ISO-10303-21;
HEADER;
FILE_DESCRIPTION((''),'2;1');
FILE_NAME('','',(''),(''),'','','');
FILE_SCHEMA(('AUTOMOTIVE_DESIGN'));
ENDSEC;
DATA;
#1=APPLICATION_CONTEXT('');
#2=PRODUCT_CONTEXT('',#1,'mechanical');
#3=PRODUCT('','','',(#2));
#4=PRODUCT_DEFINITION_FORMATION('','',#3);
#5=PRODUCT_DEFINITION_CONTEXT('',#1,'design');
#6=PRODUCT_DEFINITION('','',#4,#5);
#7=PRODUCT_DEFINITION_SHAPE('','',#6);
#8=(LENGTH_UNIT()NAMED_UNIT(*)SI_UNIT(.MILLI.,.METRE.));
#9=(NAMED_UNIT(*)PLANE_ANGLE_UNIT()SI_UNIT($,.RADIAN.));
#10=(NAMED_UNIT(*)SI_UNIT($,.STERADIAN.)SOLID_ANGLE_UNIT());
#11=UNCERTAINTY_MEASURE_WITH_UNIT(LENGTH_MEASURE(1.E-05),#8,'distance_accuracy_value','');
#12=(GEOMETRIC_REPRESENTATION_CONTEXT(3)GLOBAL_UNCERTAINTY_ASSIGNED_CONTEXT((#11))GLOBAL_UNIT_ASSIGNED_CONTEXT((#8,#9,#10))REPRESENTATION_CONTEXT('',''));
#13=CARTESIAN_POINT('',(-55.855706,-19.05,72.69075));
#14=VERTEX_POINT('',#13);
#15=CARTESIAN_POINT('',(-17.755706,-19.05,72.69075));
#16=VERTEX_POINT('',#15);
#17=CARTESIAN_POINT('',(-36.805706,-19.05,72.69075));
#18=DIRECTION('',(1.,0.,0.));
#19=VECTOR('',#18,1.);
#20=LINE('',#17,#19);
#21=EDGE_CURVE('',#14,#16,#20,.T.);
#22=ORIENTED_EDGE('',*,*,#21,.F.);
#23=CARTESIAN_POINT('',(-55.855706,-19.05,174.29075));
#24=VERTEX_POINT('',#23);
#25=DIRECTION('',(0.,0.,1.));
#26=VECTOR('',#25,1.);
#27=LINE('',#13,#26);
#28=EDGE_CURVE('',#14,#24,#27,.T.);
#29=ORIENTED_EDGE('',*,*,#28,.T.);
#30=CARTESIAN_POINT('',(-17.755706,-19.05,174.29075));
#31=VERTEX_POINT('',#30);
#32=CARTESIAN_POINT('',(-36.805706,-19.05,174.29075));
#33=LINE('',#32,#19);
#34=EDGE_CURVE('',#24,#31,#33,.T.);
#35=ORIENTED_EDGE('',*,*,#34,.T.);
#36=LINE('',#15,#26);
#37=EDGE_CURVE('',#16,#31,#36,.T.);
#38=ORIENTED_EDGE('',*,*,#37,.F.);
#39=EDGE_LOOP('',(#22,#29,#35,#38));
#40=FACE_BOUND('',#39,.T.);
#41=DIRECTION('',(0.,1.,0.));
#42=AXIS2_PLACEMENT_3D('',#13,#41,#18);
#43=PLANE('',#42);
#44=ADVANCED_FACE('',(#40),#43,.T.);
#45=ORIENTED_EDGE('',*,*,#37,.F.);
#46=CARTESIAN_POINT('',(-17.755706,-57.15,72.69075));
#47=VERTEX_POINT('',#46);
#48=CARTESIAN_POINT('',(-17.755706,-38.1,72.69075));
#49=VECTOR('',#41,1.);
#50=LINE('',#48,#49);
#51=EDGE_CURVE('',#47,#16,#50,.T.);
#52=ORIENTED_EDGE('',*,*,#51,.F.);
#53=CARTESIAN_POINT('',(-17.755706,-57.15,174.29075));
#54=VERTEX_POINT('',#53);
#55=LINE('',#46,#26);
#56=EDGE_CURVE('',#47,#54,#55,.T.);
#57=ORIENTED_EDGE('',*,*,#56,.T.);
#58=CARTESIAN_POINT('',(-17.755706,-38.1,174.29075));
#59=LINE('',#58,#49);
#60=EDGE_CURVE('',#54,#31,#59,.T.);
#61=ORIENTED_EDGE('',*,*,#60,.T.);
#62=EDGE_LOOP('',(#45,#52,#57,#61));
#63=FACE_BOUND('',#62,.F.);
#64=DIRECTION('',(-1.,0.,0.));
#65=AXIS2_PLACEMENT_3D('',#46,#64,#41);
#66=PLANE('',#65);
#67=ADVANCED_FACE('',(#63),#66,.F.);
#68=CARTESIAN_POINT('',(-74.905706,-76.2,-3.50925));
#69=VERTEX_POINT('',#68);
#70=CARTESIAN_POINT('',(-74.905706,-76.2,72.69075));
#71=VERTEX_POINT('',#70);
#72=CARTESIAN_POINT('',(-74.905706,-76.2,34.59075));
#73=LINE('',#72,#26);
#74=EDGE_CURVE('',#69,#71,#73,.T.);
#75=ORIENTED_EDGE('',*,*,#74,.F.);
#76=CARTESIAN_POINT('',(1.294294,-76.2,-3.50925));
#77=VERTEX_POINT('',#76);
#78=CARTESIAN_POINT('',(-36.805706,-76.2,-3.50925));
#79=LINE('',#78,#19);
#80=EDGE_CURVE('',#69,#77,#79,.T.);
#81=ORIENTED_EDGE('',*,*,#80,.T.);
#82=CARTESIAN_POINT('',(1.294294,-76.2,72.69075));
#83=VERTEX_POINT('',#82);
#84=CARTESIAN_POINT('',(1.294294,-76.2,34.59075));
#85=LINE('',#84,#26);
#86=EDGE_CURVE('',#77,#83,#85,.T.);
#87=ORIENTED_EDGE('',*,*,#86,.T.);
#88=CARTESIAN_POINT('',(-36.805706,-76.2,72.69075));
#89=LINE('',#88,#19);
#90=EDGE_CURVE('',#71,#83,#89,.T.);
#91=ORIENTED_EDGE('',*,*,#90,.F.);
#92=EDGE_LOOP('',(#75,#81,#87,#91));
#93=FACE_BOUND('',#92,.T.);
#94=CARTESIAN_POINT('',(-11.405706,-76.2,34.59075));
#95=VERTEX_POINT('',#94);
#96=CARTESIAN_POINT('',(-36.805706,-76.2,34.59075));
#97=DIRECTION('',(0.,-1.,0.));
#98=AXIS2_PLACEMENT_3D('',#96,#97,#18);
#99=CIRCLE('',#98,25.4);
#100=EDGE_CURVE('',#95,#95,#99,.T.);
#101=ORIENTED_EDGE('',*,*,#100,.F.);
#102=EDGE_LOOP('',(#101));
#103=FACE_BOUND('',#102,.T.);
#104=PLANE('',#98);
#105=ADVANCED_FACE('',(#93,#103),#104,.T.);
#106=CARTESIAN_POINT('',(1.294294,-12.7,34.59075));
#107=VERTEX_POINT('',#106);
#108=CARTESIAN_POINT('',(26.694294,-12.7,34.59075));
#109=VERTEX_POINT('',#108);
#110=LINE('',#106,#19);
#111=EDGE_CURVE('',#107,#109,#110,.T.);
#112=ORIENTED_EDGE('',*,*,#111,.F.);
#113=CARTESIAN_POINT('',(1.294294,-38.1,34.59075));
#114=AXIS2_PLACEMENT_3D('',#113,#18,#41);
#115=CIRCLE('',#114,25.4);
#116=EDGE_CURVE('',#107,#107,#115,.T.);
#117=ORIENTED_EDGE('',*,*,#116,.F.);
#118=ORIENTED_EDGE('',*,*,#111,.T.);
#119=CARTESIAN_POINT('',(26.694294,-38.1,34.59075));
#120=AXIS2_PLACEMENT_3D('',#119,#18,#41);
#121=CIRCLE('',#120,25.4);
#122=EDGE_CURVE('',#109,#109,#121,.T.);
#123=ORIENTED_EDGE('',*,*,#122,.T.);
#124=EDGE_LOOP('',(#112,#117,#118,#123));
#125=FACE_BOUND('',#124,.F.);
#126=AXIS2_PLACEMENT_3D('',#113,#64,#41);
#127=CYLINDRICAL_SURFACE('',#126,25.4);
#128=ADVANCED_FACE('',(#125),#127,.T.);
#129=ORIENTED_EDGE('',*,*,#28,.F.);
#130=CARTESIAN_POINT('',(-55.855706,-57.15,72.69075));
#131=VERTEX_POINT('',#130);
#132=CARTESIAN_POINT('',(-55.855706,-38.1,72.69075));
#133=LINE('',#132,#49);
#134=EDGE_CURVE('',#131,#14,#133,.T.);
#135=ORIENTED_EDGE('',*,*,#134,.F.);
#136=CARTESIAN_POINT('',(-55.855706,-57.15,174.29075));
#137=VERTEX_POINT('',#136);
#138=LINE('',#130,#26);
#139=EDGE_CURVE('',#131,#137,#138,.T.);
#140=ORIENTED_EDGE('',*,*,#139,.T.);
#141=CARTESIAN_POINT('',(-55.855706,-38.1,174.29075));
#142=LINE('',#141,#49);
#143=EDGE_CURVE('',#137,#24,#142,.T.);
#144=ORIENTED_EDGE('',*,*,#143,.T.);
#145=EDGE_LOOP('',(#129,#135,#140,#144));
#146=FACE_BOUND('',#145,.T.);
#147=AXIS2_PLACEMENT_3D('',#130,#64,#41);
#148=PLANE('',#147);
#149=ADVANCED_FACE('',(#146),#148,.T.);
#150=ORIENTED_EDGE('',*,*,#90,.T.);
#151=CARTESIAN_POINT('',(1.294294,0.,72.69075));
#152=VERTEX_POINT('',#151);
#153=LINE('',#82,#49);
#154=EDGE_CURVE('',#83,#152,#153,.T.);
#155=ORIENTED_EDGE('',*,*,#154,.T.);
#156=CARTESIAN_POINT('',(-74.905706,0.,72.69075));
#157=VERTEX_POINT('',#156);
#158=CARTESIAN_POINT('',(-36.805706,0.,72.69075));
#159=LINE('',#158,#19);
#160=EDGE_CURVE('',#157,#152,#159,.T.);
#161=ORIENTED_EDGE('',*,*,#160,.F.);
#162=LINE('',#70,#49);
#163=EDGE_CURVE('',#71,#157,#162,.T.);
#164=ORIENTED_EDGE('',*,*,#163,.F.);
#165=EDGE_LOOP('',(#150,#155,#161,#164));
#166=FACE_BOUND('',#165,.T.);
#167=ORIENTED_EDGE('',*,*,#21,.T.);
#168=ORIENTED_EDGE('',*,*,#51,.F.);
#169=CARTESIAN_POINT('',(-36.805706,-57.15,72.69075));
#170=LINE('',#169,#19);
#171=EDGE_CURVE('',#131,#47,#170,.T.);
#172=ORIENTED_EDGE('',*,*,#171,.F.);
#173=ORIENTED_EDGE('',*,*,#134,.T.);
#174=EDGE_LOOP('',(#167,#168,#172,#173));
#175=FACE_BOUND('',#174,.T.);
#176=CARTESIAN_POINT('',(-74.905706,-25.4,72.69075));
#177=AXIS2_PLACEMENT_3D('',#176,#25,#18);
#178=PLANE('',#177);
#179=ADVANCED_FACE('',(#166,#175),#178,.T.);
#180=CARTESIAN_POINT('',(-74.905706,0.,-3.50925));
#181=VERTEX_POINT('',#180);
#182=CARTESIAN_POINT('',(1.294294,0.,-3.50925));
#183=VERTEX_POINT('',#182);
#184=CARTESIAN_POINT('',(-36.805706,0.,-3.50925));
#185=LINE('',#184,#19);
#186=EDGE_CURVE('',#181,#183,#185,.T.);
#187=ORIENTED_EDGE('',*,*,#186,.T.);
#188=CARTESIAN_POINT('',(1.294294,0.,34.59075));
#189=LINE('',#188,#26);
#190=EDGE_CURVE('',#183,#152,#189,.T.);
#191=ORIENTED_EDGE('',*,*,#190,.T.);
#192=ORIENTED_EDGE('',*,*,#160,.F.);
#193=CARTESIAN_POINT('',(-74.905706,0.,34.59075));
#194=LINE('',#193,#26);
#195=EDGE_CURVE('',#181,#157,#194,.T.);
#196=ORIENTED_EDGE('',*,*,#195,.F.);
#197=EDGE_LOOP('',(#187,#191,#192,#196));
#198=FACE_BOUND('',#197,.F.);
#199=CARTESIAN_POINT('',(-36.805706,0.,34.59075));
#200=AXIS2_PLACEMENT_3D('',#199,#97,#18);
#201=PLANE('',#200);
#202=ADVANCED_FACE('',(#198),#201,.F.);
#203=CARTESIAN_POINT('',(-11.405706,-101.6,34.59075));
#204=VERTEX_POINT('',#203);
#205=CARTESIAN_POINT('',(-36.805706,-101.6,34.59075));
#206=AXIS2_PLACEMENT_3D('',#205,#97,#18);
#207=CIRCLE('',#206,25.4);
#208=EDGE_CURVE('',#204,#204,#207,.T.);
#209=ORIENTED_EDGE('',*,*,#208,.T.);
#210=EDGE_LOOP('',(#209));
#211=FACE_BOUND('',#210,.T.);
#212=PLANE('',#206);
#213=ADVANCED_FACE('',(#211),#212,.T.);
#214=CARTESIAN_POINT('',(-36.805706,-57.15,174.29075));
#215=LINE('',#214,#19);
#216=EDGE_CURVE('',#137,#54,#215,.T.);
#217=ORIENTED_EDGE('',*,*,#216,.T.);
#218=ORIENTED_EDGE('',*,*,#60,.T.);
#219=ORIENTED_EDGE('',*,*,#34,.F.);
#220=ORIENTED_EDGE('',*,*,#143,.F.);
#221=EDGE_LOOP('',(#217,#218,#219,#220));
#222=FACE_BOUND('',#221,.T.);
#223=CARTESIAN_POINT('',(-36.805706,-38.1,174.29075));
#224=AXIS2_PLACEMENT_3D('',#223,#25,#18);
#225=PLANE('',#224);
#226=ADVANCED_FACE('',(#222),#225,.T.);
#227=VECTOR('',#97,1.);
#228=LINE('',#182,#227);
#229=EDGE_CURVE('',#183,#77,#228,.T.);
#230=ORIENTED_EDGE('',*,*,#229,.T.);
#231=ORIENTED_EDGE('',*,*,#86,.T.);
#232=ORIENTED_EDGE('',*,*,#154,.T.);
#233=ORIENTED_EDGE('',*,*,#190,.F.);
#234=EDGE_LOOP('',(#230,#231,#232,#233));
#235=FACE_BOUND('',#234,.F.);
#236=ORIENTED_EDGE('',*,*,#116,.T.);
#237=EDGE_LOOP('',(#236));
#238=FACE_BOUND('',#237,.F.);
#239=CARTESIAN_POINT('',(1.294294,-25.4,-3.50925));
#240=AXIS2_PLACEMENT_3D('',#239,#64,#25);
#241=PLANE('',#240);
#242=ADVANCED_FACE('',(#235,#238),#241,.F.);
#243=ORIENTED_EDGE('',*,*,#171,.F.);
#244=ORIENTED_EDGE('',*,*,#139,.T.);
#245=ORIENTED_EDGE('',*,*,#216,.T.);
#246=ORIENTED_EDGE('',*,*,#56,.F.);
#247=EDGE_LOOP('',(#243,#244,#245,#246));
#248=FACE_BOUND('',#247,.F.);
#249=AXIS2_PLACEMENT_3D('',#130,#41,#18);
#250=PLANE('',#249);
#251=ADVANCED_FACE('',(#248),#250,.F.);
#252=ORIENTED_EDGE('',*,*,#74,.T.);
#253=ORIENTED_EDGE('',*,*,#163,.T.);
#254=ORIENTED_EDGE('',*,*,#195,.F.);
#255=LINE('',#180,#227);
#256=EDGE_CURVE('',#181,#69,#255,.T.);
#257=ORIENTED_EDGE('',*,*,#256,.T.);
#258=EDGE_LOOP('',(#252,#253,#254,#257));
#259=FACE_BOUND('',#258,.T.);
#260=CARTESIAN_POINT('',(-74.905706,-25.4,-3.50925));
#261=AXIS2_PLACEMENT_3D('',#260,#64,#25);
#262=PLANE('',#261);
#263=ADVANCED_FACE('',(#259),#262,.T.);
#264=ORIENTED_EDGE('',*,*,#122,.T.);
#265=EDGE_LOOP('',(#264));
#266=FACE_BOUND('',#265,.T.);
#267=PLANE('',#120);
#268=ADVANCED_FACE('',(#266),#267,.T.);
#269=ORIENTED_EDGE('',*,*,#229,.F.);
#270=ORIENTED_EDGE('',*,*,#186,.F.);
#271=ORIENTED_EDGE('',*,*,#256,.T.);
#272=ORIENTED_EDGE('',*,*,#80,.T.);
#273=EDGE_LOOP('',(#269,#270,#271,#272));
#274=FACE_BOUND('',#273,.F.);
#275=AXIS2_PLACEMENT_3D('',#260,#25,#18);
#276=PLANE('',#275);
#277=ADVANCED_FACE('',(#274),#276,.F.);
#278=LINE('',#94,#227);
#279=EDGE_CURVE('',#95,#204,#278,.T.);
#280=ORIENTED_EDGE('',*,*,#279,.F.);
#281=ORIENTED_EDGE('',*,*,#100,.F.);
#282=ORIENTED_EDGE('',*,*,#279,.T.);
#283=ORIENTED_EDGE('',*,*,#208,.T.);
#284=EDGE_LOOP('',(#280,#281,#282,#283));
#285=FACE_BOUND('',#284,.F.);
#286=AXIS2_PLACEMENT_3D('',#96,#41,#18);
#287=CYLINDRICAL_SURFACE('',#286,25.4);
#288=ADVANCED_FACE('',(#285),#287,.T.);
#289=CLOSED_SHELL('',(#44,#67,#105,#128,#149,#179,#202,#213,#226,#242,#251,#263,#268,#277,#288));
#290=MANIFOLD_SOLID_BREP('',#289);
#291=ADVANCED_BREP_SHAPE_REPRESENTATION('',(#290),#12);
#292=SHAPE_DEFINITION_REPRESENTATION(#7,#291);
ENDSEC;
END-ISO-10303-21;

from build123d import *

# Parameters (mm, degrees)
F0_W      = 76.2
F0_H      = 76.2
F1_DEPTH  = 25.4
F1_FACE_W = 76.2
F1_FACE_H = 76.2
F2_DEPTH  = 50.8
F3_R      = 25.4
F4_DEPTH  = 25.4
F5_R      = 25.4
F6_DEPTH  = 25.4
F7_W      = 38.1
F7_H      = 38.1
F8_DEPTH  = 101.6


with BuildPart() as f1:
    # F0 (on Front) → F1 (new body)
    with BuildSketch(Plane.XZ):
        with Locations((-36.805706, 34.59075)):
            Rectangle(F0_W, F0_H)
    extrude(amount=F1_DEPTH)

    # F1_face (on face) → F2 (join)
    with BuildSketch(Plane(origin=(-36.805706, -25.4, 34.59075), x_dir=(1, 0, 0), z_dir=(0, -1, 0))):
        Rectangle(F1_FACE_W, F1_FACE_H)
    extrude(amount=F2_DEPTH)

    # F3 (on face) → F4 (join)
    with BuildSketch(Plane.XZ.offset(76.2)):
        with Locations((-36.805706, 34.59075)):
            Circle(F3_R)
    extrude(amount=F4_DEPTH)

    # F5 (on face) → F6 (join)
    with BuildSketch(Plane.YZ.offset(1.294294)):
        with Locations((-38.1, 34.59075)):
            Circle(F5_R)
    extrude(amount=F6_DEPTH)

    # F7 (on face) → F8 (join)
    with BuildSketch(Plane.XY.offset(72.69075)):
        with Locations((-36.805706, -38.1)):
            Rectangle(F7_W, F7_H)
    extrude(amount=F8_DEPTH)


solid = f1.part
